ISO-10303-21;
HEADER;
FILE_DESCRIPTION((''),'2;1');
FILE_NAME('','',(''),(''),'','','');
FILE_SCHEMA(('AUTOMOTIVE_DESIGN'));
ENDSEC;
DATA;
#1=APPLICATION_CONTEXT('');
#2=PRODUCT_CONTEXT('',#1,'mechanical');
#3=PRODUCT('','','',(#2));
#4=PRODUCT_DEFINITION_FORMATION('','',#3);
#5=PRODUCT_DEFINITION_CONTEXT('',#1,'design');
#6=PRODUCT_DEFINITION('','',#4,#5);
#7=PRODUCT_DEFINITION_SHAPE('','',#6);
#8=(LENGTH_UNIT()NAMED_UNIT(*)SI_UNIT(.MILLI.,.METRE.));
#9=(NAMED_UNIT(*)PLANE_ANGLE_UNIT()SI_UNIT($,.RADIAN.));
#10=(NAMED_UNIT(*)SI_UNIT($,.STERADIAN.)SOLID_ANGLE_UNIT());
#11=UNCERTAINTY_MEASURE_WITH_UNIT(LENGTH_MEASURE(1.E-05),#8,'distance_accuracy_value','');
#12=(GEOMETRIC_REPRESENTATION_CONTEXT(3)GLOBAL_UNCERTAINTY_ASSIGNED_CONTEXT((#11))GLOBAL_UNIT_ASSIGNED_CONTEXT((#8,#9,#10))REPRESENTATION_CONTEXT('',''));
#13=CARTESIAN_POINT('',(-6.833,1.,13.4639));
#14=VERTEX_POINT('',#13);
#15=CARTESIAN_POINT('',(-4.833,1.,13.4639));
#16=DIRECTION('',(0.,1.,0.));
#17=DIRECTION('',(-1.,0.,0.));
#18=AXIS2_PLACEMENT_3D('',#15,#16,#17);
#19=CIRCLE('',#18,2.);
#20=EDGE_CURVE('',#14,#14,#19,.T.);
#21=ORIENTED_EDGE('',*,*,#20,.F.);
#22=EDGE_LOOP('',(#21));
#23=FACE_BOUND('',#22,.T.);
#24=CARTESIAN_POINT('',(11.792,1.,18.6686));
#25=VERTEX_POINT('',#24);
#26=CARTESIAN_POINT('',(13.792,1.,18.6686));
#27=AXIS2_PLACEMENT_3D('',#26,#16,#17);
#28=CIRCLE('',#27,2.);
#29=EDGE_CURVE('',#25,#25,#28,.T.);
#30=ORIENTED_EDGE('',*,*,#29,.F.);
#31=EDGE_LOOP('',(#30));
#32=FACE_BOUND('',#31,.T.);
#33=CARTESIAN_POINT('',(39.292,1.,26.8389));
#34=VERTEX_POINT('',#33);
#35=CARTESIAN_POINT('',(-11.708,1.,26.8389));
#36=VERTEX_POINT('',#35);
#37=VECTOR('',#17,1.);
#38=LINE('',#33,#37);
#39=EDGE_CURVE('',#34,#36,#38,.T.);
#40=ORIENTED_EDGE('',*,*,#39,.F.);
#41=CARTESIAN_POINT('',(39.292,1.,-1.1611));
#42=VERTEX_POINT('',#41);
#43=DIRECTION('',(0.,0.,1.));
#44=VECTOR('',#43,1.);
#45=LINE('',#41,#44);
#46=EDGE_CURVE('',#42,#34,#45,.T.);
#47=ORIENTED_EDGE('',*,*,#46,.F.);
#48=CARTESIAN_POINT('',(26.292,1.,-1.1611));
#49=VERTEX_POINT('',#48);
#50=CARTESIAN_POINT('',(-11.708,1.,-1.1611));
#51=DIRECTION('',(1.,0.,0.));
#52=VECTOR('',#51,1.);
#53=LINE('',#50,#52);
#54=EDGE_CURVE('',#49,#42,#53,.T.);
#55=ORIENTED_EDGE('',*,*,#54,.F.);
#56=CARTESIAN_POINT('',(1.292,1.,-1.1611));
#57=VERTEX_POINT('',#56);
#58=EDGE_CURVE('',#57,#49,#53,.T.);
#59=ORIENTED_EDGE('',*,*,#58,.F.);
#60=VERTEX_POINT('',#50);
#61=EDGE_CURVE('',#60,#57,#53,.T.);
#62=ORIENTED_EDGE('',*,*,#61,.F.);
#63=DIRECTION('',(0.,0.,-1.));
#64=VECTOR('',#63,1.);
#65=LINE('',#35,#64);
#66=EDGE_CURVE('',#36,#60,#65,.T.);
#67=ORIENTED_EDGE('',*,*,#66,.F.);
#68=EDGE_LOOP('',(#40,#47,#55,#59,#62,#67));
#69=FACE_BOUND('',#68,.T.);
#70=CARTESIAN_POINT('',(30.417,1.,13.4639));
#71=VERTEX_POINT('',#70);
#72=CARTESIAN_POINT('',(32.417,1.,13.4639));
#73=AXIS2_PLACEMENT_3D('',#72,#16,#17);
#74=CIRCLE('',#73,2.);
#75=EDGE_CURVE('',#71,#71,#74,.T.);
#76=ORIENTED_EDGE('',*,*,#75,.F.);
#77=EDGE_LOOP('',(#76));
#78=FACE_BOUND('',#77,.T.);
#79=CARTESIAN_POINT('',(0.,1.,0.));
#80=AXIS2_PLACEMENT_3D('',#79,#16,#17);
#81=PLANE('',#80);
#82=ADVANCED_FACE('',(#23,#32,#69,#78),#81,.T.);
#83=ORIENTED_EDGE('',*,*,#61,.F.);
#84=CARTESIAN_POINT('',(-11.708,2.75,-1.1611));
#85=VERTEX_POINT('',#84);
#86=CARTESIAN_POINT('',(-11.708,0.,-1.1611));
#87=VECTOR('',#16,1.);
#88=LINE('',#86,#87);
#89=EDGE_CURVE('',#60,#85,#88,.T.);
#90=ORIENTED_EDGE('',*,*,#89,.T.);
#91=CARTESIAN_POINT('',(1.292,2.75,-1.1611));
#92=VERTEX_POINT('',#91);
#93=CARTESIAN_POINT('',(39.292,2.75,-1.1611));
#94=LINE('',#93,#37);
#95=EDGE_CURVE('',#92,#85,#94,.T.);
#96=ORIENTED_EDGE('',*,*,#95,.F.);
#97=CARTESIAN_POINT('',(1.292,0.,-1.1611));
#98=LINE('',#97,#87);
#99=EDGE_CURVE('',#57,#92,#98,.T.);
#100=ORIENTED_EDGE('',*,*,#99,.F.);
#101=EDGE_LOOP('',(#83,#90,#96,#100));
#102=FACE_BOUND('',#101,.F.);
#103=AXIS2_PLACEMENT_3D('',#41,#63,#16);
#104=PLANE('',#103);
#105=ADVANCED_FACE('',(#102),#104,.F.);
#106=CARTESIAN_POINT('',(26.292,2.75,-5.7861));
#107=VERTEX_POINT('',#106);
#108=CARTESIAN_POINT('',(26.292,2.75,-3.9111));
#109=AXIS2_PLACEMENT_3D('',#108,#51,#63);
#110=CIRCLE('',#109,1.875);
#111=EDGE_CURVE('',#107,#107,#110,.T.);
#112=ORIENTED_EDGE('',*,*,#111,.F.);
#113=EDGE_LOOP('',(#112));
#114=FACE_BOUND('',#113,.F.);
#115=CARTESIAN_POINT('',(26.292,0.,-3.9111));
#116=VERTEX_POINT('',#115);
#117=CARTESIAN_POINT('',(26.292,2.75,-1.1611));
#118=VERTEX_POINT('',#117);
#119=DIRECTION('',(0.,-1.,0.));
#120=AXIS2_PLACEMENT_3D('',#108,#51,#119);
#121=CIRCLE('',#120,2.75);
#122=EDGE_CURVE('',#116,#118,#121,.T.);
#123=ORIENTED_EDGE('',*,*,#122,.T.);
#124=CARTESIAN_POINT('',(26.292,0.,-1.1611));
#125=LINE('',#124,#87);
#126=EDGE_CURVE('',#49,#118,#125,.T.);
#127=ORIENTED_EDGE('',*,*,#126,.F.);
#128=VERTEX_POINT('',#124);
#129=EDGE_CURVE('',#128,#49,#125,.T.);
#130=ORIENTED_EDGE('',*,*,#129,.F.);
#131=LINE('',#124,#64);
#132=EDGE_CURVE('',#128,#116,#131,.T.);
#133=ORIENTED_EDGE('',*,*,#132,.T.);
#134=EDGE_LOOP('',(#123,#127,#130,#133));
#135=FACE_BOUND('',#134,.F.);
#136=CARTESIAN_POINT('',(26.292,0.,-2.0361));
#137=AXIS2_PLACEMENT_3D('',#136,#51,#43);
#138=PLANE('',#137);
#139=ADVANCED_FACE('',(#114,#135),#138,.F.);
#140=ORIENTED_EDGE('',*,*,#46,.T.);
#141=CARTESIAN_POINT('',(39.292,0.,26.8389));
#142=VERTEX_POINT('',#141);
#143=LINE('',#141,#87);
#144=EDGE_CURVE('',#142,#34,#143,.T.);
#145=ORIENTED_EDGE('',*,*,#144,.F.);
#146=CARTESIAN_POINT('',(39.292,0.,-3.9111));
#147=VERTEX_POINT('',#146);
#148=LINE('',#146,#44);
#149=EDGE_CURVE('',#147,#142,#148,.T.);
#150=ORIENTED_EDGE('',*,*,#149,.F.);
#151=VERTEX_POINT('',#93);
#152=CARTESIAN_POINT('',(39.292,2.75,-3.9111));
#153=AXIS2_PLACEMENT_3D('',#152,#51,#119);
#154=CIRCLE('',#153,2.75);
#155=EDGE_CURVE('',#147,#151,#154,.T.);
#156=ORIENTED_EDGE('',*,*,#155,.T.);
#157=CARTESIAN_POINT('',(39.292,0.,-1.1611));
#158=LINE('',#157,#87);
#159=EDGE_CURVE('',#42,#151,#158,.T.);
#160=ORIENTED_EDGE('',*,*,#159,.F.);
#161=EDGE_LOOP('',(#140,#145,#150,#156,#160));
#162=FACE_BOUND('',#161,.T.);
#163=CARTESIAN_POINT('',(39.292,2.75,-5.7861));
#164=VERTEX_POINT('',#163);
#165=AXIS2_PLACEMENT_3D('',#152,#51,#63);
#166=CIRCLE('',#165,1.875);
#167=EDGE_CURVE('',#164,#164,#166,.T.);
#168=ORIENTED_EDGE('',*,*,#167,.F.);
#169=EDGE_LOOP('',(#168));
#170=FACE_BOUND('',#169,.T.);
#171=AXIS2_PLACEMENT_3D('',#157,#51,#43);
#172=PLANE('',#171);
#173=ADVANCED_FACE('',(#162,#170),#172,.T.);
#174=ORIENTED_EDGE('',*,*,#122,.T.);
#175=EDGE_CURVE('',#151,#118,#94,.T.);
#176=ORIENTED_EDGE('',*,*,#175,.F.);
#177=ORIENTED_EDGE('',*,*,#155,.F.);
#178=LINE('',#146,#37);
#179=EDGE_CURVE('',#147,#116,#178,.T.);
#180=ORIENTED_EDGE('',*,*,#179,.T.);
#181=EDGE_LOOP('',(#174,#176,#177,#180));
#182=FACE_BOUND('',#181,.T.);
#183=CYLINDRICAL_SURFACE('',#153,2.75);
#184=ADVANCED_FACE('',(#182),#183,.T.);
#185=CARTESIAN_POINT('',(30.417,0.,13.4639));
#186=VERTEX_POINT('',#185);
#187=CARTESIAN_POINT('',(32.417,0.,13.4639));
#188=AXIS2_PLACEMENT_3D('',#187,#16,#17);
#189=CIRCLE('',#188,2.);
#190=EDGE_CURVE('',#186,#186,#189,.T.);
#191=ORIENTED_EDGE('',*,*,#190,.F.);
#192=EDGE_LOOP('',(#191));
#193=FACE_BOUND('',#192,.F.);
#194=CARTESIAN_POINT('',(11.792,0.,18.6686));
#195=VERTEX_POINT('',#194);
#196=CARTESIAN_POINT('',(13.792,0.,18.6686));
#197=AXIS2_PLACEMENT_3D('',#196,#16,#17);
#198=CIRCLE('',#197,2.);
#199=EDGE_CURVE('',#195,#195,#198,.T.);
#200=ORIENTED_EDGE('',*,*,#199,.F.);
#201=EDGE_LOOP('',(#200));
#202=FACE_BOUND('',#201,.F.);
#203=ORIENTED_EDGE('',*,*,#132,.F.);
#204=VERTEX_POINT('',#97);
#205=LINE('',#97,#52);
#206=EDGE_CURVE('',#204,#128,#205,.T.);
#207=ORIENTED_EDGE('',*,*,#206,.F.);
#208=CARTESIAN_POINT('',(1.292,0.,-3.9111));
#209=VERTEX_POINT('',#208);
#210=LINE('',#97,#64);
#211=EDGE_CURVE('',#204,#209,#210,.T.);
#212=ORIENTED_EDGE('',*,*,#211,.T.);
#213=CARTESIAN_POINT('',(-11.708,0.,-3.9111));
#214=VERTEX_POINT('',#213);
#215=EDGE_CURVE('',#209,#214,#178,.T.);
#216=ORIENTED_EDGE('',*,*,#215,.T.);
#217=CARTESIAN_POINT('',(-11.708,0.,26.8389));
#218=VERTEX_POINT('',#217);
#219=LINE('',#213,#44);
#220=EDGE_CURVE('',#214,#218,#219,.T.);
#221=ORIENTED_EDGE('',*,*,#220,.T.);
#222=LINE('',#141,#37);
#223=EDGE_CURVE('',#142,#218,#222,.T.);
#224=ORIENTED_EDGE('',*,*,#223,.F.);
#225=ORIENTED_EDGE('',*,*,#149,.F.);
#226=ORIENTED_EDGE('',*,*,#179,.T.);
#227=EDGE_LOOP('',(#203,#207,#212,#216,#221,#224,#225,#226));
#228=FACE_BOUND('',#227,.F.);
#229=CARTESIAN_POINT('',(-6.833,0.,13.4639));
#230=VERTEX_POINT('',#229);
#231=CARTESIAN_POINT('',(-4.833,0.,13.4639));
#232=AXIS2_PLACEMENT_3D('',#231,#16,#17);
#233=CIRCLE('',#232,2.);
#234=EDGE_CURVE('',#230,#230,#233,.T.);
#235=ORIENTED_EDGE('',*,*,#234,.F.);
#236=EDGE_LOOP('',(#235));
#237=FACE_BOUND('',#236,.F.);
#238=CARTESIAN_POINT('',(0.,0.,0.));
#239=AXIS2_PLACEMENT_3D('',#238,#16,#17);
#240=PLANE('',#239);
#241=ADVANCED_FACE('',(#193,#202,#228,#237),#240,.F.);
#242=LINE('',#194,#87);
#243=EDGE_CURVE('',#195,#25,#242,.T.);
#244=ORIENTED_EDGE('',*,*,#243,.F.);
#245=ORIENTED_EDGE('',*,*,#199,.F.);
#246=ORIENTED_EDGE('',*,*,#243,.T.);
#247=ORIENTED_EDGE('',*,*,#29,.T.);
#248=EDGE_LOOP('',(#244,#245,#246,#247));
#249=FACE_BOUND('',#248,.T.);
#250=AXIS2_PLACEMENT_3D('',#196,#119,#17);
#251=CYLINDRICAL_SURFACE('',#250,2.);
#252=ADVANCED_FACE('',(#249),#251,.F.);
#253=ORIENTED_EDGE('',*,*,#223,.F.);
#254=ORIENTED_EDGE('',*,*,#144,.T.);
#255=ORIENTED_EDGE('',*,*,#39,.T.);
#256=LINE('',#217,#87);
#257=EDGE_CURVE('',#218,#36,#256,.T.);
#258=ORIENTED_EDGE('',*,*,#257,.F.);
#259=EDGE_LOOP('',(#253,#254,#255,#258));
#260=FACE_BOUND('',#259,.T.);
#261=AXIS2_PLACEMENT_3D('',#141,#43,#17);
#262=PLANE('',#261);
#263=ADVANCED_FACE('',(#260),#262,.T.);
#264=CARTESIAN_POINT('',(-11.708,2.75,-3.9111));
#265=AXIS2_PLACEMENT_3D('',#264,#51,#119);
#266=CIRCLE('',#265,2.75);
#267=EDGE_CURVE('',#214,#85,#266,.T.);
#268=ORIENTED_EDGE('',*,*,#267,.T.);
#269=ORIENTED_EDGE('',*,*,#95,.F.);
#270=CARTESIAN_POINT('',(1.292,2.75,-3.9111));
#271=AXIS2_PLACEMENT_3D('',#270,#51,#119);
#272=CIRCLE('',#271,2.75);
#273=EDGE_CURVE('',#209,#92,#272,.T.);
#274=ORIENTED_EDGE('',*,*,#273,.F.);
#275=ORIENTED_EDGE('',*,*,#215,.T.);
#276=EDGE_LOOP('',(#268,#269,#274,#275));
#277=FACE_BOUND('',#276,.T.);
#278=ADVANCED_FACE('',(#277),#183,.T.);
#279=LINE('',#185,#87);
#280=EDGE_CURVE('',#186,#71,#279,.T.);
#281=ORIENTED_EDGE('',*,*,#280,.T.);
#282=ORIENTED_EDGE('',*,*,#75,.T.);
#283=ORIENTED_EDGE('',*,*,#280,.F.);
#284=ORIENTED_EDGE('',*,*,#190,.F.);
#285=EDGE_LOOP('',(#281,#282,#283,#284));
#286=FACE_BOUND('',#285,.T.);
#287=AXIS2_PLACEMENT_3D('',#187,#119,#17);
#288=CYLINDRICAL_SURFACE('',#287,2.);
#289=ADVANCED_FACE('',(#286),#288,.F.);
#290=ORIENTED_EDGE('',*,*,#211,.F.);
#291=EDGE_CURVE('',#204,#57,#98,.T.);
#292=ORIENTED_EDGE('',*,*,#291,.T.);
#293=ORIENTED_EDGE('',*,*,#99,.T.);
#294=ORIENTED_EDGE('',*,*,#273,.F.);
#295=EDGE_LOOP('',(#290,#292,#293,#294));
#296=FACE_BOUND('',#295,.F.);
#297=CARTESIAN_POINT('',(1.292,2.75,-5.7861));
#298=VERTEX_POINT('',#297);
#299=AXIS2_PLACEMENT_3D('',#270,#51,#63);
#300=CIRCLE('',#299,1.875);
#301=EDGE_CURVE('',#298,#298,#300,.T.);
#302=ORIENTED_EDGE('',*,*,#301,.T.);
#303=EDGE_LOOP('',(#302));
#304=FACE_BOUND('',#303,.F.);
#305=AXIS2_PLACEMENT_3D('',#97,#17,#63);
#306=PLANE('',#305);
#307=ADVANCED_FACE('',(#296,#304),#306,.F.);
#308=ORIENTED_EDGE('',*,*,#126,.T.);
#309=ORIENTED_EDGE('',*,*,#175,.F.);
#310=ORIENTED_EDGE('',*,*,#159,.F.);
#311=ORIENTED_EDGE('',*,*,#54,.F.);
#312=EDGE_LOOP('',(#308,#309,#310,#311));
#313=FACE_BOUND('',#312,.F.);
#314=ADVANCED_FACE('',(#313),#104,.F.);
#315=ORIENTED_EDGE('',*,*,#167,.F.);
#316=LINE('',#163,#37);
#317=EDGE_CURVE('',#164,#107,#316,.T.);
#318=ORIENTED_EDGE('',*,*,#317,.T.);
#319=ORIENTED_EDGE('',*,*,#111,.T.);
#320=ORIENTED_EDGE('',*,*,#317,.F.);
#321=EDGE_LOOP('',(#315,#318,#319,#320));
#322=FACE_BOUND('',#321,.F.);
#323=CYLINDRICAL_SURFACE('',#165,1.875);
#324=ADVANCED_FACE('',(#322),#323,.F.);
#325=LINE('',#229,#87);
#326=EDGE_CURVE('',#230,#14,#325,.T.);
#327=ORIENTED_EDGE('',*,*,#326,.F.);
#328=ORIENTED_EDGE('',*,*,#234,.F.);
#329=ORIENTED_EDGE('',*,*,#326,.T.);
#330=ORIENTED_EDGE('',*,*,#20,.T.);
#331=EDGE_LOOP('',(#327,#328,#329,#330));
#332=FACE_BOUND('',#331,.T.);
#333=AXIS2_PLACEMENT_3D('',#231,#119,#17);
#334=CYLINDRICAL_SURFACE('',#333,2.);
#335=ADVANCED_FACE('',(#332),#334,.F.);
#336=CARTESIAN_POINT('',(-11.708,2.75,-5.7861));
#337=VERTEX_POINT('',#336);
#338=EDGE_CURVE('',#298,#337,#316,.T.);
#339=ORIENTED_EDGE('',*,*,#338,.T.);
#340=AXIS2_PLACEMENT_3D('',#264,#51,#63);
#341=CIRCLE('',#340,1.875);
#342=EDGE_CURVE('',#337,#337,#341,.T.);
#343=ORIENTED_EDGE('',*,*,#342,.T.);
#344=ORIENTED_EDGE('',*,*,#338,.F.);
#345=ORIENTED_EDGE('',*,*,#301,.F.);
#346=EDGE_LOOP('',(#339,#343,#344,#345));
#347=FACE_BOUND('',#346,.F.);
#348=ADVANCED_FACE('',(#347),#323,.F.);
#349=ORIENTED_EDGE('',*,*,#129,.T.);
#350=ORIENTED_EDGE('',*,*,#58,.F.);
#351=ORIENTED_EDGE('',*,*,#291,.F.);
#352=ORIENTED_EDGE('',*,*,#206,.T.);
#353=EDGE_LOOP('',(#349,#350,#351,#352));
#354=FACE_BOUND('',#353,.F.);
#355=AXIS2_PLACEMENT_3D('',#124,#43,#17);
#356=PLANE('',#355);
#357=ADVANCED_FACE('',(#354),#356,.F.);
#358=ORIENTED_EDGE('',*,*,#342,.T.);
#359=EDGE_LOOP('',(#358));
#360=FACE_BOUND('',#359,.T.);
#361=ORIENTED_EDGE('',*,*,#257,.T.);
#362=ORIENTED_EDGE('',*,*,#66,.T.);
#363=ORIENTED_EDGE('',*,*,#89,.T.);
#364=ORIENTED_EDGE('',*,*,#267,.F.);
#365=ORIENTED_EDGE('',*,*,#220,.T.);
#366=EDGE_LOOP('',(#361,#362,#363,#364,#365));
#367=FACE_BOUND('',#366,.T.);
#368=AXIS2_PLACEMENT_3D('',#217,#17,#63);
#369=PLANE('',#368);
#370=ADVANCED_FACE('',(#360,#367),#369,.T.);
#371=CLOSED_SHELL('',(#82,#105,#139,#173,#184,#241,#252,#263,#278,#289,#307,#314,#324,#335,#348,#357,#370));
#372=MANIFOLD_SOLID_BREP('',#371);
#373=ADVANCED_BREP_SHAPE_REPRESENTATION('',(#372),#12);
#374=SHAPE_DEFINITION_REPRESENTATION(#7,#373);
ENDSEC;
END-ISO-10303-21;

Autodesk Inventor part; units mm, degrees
ref_plane "YZ Plane" through (0, 0, 0) normal (1, 0, 0) x (0, 1, 0)
ref_plane "XZ Plane" through (0, 0, 0) normal (0, 1, 0) x (-1, 0, 0)
ref_plane "XY Plane" through (0, 0, 0) normal (0, 0, 1) x (1, 0, 0)
sketch "Boceto1" plane through (0, 0, 0) normal (0, 1, 0) x (-1, 0, 0)
  line L0 (11.708, 26.8389) -> (11.708, -1.1611)
  line L1 (11.708, -1.1611) -> (-39.292, -1.1611)
  line L2 (-39.292, -1.1611) -> (-39.292, 26.8389)
  line L3 (-39.292, 26.8389) -> (11.708, 26.8389)
  circle A0 centre (4.833, 13.4639) radius 2
  circle A1 centre (-32.417, 13.4639) radius 2
  circle A2 centre (-13.792, 18.6686) radius 2
  point P0 (0, 0)
  dimension "d0" = 28
  dimension "d1" = 51
  dimension "d2" = 4
  dimension "d3" = 4
  dimension "d4" = 4
  dimension "d5" = 25.5
  dimension "d6" = 6.875
  dimension "d7" = 13.375
  dimension "d8" = 6.875
  dimension "d9" = 13.375
extrude "Extrusión1" add sketch "Boceto1" along normal blind 1
sketch "Boceto2" plane through (39.292, 0, 26.8389) normal (1, 0, 0) x (0, 0, -1)
  arc A0 (30.75, 0) -> (28, 2.75) centre (30.75, 2.75) ccw
  circle A1 centre (30.75, 2.75) radius 1.875
  line L0 (0, 0) -> (28, 0) projected
  line L1 (28, 0) -> (28, 1) projected
  line L2 (28, 0) -> (28, 2.75)
  line L3 (28, 0) -> (30.75, 0)
  point P0 (26.8389, 0)
  dimension "d12" = 5.5
  dimension "d13" = 3.75
extrude "Extrusión2" add sketch "Boceto2" against normal blind 51
sketch "Boceto3" plane through (0, 0, 0) normal (0, -1, 0) x (1, 0, 0)
  line L0 (39.292, -1.1611) -> (-11.708, -1.1611) projected
  line L1 (39.292, -1.1611) -> (-11.708, -1.1611)
  line L2 (-11.708, -2.0361) -> (39.292, -2.0361) projected
  line L3 (13.792, -1.1611) -> (26.292, -1.1611)
  line L4 (26.292, -1.1611) -> (1.292, -1.1611)
  line L5 (1.292, -1.1611) -> (1.292, -7.7765)
  line L6 (1.292, -7.7765) -> (26.292, -7.7765)
  line L7 (26.292, -7.7765) -> (26.292, -1.1611)
  dimension "d16" = 12.5
  dimension "d17" = 25
extrude "Extrusión3" cut sketch "Boceto3" against normal blind 51
properties part number "Ala 1 Bisagra tipo Libro Grande"
